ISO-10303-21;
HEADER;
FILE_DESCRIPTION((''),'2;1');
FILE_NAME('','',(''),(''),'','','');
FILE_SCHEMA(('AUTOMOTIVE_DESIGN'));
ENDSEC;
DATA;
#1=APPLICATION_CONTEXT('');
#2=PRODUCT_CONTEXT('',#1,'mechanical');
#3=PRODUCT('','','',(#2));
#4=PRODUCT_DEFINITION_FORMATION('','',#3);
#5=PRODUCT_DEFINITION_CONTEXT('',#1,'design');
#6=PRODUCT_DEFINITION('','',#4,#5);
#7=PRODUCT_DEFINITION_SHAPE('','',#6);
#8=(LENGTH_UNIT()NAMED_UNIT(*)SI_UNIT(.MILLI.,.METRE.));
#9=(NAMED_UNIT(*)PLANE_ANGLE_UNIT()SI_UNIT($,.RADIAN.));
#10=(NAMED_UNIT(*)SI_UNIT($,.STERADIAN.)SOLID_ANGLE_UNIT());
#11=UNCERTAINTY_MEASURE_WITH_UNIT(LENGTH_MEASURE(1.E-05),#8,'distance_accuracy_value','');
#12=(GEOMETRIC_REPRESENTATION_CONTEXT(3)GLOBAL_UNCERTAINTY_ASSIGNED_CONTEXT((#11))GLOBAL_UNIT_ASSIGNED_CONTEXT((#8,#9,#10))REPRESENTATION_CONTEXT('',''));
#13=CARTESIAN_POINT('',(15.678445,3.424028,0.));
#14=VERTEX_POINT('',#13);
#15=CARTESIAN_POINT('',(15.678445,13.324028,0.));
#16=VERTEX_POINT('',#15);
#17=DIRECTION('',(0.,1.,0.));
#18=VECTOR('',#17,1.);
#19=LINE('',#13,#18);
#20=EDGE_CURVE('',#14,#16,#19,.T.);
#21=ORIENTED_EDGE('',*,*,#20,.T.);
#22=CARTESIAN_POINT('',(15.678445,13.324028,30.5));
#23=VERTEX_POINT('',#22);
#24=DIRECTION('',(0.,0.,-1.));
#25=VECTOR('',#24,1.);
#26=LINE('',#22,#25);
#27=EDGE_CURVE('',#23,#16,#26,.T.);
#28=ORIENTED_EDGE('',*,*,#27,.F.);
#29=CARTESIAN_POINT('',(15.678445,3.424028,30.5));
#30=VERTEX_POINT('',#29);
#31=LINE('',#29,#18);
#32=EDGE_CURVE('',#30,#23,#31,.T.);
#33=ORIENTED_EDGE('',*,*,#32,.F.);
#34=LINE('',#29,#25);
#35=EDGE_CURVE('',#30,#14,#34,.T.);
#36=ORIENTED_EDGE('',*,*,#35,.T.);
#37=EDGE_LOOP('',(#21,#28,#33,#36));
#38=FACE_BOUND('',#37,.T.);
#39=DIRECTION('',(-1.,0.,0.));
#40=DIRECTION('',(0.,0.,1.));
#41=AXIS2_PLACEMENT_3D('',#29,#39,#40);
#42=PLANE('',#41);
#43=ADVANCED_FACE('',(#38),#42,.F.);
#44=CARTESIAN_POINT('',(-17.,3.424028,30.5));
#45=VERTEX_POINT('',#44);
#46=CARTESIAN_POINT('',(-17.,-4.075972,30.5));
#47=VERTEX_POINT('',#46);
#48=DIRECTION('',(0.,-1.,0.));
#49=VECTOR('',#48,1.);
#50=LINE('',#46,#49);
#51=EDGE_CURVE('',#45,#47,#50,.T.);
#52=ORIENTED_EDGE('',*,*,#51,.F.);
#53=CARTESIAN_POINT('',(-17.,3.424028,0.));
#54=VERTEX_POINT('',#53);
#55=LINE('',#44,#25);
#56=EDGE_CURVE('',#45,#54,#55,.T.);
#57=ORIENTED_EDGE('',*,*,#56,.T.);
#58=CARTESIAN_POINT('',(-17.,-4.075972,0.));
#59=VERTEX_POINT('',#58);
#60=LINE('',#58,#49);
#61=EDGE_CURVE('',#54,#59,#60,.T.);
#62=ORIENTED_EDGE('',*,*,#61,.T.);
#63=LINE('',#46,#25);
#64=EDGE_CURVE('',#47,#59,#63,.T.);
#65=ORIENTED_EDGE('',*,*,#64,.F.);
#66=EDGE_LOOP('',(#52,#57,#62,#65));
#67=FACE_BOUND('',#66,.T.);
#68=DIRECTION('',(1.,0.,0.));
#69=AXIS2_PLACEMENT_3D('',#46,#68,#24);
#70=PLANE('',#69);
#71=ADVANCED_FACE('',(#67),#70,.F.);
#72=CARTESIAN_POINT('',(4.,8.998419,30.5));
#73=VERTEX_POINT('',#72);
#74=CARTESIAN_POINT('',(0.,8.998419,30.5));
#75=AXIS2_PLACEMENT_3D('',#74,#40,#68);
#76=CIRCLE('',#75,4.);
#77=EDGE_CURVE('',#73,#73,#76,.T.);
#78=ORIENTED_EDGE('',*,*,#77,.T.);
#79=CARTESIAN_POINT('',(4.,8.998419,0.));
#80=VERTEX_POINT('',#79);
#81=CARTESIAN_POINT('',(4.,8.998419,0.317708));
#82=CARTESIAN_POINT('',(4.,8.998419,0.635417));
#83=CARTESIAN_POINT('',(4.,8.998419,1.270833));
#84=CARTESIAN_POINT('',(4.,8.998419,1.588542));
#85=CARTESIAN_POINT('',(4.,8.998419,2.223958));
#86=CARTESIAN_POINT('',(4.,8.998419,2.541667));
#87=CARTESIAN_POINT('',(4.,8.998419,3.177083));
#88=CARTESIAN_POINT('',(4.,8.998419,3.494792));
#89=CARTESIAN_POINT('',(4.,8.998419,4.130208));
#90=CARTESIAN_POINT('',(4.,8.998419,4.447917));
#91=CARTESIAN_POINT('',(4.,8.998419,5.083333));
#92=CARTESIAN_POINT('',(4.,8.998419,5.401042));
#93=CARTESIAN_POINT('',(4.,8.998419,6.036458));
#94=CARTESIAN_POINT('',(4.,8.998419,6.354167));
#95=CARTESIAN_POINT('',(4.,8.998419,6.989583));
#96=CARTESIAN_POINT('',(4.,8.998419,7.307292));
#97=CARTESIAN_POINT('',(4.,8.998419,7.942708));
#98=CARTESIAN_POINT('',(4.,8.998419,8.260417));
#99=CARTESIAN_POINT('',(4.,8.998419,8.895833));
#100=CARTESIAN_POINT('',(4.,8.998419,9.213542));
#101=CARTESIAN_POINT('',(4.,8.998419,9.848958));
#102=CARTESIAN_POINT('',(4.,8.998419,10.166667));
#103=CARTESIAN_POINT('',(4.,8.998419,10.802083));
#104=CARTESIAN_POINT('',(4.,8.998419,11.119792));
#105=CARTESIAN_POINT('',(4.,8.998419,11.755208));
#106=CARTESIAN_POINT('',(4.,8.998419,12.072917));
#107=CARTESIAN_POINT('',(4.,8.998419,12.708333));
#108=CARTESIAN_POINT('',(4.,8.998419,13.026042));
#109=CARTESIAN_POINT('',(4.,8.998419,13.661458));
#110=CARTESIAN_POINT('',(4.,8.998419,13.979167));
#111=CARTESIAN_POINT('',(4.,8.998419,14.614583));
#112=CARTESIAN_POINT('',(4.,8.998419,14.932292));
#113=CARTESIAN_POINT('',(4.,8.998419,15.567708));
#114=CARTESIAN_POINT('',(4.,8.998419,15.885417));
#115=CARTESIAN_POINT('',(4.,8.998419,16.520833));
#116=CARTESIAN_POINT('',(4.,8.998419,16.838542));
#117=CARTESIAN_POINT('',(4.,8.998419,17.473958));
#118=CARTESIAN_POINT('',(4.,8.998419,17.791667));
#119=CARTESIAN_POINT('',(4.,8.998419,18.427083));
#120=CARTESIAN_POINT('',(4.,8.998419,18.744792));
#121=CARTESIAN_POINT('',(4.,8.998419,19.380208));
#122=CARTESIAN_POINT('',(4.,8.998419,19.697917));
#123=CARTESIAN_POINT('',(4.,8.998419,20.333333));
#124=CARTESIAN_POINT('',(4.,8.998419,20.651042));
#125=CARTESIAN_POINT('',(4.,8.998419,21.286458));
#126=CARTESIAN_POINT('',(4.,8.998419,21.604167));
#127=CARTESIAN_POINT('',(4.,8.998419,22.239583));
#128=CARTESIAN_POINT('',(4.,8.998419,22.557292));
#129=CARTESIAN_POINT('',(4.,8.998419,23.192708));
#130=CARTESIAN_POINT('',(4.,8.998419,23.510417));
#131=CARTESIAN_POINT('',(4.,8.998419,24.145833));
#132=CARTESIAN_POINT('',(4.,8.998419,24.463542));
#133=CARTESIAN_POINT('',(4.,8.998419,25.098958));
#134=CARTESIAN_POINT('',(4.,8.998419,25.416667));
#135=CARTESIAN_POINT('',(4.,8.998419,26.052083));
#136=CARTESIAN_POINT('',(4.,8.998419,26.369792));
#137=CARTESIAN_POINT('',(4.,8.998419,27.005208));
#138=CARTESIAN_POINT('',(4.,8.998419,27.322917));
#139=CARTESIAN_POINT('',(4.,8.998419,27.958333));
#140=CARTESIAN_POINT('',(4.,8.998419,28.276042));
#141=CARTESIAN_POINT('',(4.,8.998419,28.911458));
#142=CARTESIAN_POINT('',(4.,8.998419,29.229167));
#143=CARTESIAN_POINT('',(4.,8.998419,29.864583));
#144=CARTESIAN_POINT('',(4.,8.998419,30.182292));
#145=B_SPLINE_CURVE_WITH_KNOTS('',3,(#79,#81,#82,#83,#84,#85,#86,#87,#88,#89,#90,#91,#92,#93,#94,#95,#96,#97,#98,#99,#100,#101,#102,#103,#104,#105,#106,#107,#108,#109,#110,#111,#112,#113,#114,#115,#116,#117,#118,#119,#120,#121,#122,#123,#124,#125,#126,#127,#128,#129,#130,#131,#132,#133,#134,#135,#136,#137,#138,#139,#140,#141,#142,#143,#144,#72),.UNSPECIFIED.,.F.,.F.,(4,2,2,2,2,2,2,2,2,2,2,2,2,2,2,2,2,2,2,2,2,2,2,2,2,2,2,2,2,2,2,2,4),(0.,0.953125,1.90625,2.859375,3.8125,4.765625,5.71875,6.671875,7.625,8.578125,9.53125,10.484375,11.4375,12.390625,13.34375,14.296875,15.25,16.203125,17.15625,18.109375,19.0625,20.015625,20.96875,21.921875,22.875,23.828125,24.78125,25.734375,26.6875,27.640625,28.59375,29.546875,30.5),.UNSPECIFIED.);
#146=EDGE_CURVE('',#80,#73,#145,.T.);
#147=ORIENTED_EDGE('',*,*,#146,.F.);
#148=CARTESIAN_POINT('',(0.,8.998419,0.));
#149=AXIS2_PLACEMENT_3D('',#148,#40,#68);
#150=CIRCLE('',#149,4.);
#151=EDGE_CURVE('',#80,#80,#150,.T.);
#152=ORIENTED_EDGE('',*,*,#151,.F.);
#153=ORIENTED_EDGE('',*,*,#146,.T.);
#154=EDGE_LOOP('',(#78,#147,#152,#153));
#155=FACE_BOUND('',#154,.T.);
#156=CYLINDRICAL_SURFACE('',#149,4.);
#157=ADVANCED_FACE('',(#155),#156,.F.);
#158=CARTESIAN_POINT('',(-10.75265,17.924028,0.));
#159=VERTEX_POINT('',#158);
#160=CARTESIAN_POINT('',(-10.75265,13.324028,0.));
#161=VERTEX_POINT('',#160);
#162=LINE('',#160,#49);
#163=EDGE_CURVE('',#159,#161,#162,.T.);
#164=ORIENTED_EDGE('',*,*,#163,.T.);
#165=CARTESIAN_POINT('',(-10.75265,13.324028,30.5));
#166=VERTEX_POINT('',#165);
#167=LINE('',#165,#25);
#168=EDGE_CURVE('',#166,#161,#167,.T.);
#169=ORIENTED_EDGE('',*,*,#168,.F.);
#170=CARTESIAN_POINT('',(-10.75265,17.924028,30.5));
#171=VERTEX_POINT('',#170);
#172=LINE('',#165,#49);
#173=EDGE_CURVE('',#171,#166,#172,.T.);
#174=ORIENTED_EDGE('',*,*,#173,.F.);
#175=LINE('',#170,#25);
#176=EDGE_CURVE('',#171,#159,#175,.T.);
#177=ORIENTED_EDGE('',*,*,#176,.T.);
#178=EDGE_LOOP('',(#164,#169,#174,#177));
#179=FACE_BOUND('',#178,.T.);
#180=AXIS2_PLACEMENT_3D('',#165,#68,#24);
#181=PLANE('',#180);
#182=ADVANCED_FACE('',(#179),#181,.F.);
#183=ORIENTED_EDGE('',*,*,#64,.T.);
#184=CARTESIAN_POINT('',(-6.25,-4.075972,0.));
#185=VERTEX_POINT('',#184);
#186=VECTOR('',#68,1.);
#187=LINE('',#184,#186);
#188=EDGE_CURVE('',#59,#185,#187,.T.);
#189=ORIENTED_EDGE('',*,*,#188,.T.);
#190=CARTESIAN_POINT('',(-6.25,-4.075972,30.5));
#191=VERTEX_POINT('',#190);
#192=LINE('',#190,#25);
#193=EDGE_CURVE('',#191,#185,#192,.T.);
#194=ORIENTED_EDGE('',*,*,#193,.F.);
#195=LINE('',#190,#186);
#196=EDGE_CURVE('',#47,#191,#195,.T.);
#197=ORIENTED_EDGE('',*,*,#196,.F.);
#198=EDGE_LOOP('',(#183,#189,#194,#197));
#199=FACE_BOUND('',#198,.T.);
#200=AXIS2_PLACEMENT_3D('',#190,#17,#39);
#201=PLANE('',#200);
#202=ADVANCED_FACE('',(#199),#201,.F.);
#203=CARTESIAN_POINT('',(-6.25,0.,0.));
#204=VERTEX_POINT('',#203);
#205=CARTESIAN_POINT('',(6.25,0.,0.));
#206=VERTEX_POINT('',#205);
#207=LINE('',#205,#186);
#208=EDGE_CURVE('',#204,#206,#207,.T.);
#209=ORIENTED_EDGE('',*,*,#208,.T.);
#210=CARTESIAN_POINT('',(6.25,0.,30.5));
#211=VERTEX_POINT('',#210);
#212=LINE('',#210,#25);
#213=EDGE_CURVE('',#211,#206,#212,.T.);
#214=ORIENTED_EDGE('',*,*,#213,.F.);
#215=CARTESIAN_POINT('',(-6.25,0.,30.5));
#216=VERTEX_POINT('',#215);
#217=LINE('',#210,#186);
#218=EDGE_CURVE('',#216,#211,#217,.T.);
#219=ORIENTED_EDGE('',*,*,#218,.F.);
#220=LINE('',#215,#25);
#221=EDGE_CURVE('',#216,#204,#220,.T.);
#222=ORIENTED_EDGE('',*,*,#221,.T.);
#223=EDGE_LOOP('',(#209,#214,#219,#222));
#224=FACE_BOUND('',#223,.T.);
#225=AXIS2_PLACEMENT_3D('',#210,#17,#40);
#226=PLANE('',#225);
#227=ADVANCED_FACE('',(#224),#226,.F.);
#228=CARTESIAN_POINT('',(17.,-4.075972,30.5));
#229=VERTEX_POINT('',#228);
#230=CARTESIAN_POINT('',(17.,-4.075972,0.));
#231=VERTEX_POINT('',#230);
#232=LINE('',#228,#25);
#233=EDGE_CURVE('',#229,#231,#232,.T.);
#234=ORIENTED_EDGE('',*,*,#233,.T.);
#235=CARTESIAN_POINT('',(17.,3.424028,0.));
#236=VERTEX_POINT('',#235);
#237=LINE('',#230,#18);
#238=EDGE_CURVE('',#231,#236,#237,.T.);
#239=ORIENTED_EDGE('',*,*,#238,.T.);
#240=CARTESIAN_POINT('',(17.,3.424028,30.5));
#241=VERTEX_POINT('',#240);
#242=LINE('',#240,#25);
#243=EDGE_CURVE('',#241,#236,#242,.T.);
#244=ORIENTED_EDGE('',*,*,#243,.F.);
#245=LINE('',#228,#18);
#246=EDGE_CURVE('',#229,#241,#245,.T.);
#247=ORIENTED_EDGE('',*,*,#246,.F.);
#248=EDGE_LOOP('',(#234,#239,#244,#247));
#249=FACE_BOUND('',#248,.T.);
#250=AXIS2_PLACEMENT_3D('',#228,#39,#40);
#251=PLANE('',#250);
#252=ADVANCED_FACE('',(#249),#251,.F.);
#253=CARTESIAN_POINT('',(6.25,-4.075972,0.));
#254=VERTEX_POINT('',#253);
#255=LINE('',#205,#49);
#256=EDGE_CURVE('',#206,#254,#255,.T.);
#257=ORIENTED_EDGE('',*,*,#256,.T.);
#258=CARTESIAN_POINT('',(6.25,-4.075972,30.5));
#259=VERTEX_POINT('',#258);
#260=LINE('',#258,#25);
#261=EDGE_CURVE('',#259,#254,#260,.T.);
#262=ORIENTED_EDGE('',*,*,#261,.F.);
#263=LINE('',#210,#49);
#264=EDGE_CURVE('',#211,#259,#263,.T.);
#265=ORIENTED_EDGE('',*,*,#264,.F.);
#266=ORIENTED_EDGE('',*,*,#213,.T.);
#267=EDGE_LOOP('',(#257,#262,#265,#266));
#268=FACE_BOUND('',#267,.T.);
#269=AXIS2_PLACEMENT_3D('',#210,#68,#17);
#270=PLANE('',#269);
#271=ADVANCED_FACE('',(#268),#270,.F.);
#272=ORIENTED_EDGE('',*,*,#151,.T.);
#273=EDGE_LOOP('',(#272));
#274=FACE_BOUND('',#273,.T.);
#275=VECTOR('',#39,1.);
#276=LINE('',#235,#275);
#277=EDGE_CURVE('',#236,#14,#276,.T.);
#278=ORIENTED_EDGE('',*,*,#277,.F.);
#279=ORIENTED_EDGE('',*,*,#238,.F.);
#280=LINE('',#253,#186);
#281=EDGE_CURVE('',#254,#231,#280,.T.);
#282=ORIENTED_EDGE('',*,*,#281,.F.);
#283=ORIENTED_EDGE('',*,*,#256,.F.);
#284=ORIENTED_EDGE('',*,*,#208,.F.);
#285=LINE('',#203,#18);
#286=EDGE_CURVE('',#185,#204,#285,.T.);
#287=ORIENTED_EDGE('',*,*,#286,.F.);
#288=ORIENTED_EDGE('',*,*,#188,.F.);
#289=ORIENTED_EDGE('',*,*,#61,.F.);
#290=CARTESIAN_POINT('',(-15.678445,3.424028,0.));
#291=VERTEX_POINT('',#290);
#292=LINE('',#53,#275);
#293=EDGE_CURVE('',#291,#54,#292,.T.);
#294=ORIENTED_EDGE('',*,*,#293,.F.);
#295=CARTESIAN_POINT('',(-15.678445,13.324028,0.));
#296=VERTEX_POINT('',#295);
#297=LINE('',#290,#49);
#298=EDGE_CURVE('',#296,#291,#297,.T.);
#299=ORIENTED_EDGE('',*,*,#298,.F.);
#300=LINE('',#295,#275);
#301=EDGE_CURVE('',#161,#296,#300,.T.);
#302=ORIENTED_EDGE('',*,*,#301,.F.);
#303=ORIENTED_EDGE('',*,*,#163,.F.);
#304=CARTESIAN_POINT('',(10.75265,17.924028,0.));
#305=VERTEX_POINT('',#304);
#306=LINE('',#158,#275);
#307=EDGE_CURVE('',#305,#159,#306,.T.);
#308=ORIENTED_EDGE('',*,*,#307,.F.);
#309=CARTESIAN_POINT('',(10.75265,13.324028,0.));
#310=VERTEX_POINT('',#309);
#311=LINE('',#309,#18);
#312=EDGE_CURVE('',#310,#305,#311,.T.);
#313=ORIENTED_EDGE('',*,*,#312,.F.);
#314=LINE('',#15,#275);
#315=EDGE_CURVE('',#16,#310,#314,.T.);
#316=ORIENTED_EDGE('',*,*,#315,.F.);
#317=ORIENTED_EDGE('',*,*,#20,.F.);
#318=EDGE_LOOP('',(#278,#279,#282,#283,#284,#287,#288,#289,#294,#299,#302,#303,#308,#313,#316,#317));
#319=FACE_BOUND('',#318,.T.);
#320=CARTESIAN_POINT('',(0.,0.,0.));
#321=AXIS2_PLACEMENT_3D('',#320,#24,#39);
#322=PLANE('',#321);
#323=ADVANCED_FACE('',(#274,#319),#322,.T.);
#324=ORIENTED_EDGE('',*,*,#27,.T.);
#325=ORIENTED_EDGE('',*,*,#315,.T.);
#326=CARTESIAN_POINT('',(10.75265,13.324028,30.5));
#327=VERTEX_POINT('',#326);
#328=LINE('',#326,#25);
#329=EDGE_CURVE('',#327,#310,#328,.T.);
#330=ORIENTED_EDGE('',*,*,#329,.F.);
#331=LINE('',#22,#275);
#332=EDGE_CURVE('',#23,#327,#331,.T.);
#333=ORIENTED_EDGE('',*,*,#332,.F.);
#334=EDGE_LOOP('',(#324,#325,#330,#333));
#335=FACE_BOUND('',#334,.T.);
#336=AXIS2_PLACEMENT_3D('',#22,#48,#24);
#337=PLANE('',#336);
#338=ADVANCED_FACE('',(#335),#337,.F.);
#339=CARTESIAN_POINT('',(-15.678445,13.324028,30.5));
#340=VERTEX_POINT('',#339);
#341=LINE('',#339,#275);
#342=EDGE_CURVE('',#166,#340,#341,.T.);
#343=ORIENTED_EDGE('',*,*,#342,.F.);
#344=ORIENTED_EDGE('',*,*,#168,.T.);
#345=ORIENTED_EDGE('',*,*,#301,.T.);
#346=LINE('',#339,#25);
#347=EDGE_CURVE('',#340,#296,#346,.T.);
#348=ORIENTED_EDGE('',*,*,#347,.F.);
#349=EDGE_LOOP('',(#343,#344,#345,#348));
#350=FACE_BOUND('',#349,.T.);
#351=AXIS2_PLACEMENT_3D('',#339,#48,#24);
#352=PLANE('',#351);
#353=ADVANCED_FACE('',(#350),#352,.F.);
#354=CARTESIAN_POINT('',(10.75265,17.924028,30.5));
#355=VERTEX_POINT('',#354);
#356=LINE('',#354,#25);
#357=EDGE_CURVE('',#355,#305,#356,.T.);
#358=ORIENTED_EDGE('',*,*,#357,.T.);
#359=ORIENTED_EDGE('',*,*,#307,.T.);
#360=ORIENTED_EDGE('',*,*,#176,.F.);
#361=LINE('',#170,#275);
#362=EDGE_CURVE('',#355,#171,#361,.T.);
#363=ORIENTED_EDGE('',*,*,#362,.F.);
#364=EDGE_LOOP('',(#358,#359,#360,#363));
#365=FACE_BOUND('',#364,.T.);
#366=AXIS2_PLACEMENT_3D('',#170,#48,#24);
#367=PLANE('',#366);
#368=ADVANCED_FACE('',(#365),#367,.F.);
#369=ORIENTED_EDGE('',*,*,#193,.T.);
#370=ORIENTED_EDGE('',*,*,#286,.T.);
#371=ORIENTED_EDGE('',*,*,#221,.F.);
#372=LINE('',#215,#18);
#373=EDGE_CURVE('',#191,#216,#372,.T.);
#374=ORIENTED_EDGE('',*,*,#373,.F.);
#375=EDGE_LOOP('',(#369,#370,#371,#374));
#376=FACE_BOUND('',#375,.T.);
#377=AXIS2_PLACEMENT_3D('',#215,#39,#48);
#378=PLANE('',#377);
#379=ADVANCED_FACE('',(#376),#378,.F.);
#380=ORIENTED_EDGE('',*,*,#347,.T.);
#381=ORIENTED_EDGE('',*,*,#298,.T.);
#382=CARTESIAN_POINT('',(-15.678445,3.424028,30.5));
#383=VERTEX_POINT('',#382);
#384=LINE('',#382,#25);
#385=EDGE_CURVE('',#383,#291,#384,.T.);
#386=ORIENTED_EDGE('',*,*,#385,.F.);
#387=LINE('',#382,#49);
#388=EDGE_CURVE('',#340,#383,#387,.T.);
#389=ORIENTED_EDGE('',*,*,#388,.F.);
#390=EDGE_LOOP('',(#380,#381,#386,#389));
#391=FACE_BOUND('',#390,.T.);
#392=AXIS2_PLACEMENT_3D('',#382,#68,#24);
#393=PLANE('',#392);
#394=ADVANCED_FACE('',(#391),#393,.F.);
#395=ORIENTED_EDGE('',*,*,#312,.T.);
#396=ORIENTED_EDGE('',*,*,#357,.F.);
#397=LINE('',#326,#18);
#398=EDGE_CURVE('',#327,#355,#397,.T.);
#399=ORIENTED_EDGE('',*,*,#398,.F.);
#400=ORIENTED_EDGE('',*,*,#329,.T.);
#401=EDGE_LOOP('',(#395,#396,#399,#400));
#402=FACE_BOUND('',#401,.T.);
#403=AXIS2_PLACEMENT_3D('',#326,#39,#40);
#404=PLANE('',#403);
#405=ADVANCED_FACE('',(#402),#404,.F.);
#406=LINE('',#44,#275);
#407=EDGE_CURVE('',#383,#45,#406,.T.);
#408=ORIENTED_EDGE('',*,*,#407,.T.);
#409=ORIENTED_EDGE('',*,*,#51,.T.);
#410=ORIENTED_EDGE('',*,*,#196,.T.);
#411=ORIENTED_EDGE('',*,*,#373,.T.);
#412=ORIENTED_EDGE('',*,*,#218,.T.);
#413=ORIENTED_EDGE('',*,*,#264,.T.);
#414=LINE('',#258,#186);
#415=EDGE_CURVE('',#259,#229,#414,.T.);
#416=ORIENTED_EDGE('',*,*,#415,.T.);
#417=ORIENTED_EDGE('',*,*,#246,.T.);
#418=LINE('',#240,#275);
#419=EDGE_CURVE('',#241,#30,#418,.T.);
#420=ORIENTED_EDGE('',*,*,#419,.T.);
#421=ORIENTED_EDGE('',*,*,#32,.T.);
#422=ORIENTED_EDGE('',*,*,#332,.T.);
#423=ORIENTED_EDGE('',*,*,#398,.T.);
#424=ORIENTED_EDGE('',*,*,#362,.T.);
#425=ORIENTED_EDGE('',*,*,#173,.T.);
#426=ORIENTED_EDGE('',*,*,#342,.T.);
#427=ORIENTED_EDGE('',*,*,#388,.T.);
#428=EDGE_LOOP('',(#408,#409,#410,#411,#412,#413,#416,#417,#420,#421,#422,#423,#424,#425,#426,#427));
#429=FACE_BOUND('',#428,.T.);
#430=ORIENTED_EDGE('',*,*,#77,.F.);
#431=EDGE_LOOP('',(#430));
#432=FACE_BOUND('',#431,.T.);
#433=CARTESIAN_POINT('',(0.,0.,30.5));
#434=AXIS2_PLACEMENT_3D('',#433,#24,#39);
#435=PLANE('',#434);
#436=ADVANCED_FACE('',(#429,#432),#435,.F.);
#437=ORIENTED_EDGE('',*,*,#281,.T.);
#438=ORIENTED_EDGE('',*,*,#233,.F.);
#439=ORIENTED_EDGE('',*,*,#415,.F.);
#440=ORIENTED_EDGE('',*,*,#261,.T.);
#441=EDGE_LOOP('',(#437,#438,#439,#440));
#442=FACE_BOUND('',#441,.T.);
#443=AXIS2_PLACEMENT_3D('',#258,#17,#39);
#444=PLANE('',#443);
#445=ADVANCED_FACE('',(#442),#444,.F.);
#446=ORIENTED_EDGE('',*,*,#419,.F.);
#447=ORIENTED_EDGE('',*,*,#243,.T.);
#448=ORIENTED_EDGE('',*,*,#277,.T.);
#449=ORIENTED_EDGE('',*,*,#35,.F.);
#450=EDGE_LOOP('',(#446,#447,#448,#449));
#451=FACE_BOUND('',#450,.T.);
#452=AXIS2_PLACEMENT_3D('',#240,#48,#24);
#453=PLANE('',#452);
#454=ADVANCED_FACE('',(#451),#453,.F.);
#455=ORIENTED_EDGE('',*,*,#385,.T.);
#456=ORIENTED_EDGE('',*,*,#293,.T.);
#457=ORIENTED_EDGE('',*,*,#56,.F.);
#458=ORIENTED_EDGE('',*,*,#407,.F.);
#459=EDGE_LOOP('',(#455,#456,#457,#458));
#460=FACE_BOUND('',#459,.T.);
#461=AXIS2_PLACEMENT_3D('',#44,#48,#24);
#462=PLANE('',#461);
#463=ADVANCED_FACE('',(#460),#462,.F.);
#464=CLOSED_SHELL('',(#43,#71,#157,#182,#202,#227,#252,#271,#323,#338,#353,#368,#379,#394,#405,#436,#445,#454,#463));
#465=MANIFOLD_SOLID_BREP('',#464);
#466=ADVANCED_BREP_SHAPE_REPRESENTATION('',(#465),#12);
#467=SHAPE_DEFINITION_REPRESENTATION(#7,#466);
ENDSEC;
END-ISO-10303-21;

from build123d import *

# Parameters (mm, degrees)
BOSS_EXTRUDE1_DEPTH = 30.5
SKETCH2_R           = 4
CUT_EXTRUDE1_DEPTH  = 30.5


with BuildPart() as part:
    # Sketch1 → Boss-Extrude1 (new body)
    with BuildSketch(Plane.XY):
        Polygon((6.25, 0), (-6.25, 0), (-6.25, -4.075971731), (-17, -4.075971731), (-17, 3.424028269), (-15.67844523, 3.424028269), (-15.67844523, 13.324028269), (-10.752650177, 13.324028269), (-10.752650177, 17.924028269), (10.752650177, 17.924028269), (10.752650177, 13.324028269), (15.67844523, 13.324028269), (15.67844523, 3.424028269), (17, 3.424028269), (17, -4.075971731), (6.25, -4.075971731), align=None)
    extrude(amount=BOSS_EXTRUDE1_DEPTH)

    # Sketch2 → Cut-Extrude1 (cut)
    with BuildSketch(Plane.XY.offset(30.5)):
        with Locations((0, 8.998418613)):
            Circle(SKETCH2_R)
    extrude(amount=-CUT_EXTRUDE1_DEPTH, mode=Mode.SUBTRACT)


solid = part.part
